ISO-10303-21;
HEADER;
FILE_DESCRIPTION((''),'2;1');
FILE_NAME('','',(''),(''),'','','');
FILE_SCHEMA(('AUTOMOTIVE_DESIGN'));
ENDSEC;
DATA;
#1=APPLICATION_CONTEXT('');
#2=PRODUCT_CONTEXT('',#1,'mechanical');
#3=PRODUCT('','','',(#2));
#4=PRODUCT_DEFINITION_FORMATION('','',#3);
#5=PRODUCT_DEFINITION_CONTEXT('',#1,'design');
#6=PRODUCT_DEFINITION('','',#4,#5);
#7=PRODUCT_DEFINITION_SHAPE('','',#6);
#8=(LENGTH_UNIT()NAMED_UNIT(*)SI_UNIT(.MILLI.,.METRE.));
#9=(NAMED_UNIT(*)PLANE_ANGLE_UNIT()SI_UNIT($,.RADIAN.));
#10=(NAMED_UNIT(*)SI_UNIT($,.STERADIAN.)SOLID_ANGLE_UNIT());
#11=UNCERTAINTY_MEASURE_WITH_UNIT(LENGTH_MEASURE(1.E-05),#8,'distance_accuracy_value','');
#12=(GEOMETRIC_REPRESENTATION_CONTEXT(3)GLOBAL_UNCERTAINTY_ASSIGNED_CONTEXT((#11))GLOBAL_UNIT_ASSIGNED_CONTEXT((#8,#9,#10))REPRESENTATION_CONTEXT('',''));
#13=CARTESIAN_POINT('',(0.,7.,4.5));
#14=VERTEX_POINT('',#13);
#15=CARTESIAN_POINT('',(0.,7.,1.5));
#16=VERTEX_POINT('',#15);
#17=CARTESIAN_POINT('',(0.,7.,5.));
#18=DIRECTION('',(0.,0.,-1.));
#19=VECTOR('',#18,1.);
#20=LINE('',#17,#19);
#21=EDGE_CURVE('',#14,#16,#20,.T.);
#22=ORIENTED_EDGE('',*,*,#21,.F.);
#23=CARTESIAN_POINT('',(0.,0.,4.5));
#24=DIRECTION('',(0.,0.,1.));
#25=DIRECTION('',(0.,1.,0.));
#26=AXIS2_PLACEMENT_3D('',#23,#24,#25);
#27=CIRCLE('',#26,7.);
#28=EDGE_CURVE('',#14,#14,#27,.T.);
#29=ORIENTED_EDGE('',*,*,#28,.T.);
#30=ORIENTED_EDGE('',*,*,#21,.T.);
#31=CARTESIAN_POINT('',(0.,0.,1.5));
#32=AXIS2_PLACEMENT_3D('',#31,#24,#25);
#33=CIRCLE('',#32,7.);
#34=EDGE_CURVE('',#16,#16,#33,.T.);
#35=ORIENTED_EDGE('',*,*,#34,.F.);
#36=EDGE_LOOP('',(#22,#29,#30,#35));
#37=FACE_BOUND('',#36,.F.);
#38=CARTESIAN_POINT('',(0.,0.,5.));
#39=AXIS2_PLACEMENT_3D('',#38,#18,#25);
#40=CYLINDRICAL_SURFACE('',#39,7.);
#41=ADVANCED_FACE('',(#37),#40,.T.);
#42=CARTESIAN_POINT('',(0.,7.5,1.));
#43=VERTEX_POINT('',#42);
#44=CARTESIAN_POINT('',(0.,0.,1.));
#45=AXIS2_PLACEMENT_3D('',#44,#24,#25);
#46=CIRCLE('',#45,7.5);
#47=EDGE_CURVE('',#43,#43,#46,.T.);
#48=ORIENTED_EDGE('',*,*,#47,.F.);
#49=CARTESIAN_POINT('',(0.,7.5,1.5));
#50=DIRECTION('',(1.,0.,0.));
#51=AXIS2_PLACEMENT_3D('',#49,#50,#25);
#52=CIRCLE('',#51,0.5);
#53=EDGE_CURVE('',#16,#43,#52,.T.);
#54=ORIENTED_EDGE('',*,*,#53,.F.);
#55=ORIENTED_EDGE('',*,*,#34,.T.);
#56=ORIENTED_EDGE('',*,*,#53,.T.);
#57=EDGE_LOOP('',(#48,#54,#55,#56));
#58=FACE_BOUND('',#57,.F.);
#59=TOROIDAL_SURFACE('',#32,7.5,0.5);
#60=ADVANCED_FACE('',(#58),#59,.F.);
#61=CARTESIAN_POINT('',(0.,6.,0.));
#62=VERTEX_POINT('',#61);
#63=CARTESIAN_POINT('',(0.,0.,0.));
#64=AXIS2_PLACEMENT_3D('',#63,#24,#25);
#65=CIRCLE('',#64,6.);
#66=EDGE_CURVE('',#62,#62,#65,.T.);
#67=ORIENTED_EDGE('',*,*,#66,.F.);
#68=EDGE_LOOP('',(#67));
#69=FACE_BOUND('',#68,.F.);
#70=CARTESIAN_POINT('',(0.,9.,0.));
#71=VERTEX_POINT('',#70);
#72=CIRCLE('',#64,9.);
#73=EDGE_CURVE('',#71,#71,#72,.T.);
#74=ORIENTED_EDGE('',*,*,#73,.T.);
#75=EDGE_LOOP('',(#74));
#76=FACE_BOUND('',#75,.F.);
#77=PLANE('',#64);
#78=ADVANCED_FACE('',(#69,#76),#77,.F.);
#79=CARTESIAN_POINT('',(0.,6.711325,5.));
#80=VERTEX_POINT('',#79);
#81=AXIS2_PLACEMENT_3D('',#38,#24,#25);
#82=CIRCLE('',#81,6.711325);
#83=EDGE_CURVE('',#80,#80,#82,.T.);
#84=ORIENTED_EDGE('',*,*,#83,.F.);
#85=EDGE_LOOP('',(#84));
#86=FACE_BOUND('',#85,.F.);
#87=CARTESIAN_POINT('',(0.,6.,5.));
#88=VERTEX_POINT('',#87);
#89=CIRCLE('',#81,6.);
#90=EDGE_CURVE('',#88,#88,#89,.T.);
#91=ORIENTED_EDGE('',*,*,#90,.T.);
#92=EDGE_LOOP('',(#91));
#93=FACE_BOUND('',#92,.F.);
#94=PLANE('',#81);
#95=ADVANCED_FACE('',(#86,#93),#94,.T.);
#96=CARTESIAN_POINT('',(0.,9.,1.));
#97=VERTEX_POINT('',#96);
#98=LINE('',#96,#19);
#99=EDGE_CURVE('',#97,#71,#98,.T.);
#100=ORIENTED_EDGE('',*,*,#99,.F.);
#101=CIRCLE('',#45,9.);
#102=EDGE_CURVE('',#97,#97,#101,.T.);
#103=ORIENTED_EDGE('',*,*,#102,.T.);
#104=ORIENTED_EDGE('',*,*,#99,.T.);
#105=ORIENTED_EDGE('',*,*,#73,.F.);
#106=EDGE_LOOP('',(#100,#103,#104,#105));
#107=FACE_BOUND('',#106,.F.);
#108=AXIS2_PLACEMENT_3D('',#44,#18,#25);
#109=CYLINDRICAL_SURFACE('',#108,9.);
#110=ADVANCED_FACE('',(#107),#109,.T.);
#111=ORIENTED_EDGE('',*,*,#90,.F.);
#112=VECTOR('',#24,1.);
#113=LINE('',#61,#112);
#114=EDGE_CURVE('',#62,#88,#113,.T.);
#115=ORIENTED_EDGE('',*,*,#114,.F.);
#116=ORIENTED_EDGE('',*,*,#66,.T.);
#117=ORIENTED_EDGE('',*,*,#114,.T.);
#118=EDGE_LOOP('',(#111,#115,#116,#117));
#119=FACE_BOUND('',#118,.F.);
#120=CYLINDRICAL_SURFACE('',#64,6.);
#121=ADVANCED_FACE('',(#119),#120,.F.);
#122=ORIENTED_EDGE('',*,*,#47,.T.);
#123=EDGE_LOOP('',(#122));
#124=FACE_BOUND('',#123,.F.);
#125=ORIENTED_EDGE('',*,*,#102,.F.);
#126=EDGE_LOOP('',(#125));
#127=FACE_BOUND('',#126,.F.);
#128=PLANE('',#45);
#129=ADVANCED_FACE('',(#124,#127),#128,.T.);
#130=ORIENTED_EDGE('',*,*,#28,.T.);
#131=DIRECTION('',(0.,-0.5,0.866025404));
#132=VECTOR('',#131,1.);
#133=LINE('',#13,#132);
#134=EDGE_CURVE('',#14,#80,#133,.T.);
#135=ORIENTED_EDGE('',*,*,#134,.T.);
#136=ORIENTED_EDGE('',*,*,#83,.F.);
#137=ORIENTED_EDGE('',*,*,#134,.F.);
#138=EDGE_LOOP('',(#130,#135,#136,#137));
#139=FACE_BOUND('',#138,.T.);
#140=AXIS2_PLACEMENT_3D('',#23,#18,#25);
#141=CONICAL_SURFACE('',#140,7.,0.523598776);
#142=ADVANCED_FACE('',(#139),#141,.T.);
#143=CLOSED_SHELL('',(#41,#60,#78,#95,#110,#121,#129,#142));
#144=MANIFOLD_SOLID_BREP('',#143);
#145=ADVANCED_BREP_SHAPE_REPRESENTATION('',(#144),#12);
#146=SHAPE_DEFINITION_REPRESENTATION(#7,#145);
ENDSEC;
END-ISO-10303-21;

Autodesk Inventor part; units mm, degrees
ref_plane "YZ Plane" through (0, 0, 0) normal (1, 0, 0) x (0, 1, 0)
ref_plane "XZ Plane" through (0, 0, 0) normal (0, 1, 0) x (-1, 0, 0)
ref_plane "XY Plane" through (0, 0, 0) normal (0, 0, 1) x (1, 0, 0)
sketch "スケッチ1" plane through (0, 0, 0) normal (1, 0, 0) x (0, 1, 0)
  line L0 (0, -1) -> (0, 6) construction
  line L1 (6, 5) -> (7, 5)
  line L2 (7, 5) -> (7, 0)
  line L3 (7, 0) -> (6, 0)
  line L4 (6, 0) -> (6, 5)
  line L5 (7, 1) -> (9, 1)
  line L6 (9, 1) -> (9, 0)
  line L7 (9, 0) -> (7, 0)
  line L8 (7, 0) -> (7, 1)
  point P0 (0, 0)
  point P1 (7, 0)
  dimension "d0" = 12
  dimension "d1" = 14
  dimension "d10" = 5
  dimension "d14" = 1
  dimension "d15" = 18
revolve "回転1" add sketch "スケッチ1" angle 360 about axis through (0, 0, -10) along (0, 0, 1)
chamfer "面取り1" distance 0.5 angle 30 1 edges at (0, -7, 5) measured on face at (0.5633, 6.9773, 2.3333)
fillet "フィレット2" radius 0.5 1 edges at (0, -7, 1)
properties part number "_GFM-0608-04" material "アセタール樹脂、黒"
